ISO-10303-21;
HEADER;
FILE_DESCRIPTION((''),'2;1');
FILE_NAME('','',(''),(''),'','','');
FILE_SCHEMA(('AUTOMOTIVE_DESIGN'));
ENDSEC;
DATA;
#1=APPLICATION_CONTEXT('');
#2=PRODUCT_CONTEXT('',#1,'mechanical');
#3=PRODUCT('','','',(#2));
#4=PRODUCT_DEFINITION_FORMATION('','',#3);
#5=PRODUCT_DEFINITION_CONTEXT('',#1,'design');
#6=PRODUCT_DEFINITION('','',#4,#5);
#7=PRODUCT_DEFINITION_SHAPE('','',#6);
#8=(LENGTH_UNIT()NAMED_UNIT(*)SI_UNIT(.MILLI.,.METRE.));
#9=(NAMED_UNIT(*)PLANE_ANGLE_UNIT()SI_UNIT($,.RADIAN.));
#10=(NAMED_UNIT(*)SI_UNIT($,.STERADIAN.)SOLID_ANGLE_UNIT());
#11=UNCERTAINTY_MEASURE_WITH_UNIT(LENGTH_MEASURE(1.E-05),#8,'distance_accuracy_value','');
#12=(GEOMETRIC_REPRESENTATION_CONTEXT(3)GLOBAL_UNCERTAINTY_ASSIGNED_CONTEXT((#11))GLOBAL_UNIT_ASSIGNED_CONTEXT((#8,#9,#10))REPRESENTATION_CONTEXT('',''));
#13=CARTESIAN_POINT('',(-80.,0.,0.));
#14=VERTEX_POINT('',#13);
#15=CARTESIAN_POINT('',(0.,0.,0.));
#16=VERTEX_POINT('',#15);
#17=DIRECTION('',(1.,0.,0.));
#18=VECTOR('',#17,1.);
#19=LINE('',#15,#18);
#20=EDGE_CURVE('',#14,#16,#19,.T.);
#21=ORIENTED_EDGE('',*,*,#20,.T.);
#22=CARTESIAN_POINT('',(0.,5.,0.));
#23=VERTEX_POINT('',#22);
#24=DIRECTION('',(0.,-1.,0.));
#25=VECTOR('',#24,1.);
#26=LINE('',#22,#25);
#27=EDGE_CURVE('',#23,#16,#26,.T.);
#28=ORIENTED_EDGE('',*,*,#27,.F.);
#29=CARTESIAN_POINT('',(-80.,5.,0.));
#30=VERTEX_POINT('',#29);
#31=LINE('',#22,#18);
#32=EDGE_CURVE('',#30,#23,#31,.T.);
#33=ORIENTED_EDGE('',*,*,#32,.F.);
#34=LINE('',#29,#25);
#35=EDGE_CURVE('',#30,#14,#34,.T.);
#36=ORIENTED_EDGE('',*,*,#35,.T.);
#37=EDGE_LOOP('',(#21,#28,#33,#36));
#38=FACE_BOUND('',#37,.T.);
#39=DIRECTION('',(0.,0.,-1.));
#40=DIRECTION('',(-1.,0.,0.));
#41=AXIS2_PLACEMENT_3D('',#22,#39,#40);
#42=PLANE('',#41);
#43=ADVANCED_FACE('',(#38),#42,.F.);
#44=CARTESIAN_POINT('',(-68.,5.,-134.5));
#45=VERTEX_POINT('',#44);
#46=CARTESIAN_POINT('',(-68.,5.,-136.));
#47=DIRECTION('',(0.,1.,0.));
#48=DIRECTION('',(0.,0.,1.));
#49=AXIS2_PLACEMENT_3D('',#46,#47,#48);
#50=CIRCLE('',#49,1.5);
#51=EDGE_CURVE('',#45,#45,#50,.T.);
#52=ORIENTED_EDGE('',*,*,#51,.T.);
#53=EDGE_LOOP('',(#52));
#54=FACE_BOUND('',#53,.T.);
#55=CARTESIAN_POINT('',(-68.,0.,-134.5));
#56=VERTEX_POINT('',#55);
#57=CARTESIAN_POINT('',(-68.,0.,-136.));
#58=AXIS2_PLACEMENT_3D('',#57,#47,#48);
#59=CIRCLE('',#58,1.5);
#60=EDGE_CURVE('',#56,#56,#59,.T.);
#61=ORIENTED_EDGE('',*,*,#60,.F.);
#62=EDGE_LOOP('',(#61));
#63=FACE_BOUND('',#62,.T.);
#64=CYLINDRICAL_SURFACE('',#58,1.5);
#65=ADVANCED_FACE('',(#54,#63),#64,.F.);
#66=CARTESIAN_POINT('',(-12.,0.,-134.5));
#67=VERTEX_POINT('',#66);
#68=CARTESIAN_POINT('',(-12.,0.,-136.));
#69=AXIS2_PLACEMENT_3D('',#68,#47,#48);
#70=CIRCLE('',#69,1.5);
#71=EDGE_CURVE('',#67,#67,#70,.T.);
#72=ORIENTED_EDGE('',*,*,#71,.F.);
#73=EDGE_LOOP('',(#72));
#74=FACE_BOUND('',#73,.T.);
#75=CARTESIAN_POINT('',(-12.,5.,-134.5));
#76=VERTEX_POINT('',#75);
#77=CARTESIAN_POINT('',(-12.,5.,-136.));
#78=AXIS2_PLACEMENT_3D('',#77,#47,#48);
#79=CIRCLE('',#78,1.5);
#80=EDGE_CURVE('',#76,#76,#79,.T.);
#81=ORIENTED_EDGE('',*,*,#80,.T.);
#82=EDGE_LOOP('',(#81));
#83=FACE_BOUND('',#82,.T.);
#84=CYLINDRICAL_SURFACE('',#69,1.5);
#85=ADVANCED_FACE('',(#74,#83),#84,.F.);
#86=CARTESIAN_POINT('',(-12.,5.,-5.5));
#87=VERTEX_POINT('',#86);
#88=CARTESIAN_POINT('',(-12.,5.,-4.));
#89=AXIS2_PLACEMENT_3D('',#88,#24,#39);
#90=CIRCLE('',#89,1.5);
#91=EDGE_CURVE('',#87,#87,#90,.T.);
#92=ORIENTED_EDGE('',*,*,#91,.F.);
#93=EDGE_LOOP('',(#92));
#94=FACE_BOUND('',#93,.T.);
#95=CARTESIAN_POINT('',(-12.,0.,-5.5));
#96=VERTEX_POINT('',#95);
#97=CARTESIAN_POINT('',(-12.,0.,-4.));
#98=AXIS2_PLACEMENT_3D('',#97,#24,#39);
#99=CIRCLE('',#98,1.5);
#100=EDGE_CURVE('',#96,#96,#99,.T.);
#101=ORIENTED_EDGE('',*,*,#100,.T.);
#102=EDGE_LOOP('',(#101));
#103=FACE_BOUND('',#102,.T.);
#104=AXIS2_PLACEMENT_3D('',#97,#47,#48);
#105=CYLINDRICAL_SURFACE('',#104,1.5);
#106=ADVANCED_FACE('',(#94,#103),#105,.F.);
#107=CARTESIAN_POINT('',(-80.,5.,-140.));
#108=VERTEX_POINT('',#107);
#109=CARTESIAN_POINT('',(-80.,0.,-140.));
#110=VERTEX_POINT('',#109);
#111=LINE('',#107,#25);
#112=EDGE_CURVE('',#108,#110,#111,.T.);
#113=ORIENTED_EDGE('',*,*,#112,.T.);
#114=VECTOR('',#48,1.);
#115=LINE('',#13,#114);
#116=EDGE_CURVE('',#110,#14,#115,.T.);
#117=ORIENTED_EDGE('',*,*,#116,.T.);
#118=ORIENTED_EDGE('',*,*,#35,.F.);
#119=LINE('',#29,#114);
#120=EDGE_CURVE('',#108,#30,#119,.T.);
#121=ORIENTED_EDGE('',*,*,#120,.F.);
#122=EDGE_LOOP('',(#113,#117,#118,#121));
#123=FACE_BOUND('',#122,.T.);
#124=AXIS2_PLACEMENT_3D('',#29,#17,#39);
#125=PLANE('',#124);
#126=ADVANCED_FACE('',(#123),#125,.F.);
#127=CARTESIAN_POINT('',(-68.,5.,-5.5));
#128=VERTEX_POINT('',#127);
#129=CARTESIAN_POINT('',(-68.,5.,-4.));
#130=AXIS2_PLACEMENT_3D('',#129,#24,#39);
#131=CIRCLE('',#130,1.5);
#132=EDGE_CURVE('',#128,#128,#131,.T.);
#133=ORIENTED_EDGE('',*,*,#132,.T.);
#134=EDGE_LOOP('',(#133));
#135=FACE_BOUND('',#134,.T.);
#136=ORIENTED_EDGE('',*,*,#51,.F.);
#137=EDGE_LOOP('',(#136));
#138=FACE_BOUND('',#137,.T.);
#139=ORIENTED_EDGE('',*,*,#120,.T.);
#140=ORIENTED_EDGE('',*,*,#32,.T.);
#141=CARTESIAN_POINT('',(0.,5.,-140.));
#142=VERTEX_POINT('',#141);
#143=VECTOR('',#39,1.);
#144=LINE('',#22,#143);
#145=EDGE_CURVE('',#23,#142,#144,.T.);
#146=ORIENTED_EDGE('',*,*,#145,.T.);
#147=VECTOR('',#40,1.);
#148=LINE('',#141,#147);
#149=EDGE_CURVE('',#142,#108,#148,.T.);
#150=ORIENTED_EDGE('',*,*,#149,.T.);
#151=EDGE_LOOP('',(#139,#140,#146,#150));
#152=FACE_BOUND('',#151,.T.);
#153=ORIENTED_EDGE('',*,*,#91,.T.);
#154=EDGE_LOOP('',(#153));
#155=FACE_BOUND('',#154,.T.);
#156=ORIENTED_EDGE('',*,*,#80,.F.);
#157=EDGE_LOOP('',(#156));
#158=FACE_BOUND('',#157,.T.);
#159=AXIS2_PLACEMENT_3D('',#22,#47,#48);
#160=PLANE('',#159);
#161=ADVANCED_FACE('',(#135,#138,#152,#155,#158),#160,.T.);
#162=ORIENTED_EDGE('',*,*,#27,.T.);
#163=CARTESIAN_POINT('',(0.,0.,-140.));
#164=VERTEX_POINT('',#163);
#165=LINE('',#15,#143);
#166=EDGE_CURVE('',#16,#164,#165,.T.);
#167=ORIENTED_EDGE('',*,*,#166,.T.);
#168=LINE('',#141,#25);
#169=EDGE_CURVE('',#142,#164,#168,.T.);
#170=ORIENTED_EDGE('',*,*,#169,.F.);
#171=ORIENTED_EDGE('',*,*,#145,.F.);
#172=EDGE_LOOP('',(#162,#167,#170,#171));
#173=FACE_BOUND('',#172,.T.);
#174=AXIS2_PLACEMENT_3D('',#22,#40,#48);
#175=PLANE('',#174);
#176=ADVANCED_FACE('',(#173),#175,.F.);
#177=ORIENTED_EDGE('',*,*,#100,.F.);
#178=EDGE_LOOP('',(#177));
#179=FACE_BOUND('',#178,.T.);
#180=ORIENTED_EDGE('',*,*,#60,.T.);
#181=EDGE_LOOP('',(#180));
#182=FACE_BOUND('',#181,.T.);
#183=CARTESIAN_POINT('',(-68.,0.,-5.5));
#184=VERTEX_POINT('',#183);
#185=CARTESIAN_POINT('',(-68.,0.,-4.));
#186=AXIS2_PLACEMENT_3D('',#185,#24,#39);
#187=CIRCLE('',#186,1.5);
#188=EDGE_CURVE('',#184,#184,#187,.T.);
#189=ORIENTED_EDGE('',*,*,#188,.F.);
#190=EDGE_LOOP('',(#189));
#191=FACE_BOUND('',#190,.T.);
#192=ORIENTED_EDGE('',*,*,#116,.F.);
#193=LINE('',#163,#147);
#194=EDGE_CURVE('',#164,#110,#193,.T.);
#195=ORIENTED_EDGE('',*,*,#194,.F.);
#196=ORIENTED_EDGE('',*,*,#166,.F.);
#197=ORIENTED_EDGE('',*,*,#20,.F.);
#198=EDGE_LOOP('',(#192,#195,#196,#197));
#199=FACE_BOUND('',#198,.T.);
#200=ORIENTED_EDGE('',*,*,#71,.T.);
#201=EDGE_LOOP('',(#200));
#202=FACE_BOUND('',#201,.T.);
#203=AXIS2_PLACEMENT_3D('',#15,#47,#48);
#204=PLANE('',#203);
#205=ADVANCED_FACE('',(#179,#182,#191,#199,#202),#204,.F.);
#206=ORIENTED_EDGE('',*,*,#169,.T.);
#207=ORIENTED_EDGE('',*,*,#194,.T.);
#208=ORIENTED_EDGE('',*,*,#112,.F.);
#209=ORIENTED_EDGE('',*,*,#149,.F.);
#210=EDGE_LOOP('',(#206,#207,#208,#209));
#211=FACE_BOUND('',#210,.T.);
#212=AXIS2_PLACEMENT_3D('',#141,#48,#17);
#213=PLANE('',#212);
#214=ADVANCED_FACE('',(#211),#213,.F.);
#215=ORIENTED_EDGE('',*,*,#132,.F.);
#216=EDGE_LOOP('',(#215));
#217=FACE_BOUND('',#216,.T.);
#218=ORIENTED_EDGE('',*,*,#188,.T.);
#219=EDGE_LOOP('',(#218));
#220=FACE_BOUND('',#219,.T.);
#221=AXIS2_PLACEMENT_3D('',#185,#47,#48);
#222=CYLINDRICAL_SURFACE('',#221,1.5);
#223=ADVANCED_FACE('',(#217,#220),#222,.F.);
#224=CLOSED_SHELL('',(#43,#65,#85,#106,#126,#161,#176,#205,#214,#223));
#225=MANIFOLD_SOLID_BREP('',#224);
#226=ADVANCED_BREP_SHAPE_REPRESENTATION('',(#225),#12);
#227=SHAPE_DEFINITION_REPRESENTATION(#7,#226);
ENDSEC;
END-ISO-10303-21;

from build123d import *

# Parameters (mm, degrees)
SKETCH1_W           = 80
SKETCH1_H           = 140
BOSS_EXTRUDE1_DEPTH = 5
SKETCH2_R           = 1.5
CUT_EXTRUDE1_DEPTH  = 162.322658049
SKETCH3_R           = 1.5
CUT_EXTRUDE2_DEPTH  = 162.322658049


with BuildPart() as part:
    # Sketch1 → Boss-Extrude1 (new body)
    with BuildSketch(Plane(origin=(0, 0, 0), x_dir=(1, 0, 0), z_dir=(0, 1, 0))):
        with Locations((-40, 70)):
            Rectangle(SKETCH1_W, SKETCH1_H)
    extrude(amount=BOSS_EXTRUDE1_DEPTH)

    # Sketch2 → Cut-Extrude1 (cut, through all)
    with BuildSketch(Plane(origin=(0, 5, 0), x_dir=(1, 0, 0), z_dir=(0, 1, 0))):
        with Locations(Location((-68, 136, 0), (0, 0, 270))):
            Circle(SKETCH2_R)
    cut_extrude1 = extrude(amount=-CUT_EXTRUDE1_DEPTH, mode=Mode.SUBTRACT)

    # Sketch3 → Cut-Extrude2 (cut, through all)
    with BuildSketch(Plane(origin=(0, 5, 0), x_dir=(1, 0, 0), z_dir=(0, 1, 0))):
        with Locations(Location((-12, 136, 0), (0, 0, 270))):
            Circle(SKETCH3_R)
    cut_extrude2 = extrude(amount=-CUT_EXTRUDE2_DEPTH, mode=Mode.SUBTRACT)

    # Mirror1: Cut-Extrude1, Cut-Extrude2 across plane
    add(cut_extrude1.mirror(Plane.XY.offset(-70)), mode=Mode.SUBTRACT)
    add(cut_extrude2.mirror(Plane.XY.offset(-70)), mode=Mode.SUBTRACT)


solid = part.part
